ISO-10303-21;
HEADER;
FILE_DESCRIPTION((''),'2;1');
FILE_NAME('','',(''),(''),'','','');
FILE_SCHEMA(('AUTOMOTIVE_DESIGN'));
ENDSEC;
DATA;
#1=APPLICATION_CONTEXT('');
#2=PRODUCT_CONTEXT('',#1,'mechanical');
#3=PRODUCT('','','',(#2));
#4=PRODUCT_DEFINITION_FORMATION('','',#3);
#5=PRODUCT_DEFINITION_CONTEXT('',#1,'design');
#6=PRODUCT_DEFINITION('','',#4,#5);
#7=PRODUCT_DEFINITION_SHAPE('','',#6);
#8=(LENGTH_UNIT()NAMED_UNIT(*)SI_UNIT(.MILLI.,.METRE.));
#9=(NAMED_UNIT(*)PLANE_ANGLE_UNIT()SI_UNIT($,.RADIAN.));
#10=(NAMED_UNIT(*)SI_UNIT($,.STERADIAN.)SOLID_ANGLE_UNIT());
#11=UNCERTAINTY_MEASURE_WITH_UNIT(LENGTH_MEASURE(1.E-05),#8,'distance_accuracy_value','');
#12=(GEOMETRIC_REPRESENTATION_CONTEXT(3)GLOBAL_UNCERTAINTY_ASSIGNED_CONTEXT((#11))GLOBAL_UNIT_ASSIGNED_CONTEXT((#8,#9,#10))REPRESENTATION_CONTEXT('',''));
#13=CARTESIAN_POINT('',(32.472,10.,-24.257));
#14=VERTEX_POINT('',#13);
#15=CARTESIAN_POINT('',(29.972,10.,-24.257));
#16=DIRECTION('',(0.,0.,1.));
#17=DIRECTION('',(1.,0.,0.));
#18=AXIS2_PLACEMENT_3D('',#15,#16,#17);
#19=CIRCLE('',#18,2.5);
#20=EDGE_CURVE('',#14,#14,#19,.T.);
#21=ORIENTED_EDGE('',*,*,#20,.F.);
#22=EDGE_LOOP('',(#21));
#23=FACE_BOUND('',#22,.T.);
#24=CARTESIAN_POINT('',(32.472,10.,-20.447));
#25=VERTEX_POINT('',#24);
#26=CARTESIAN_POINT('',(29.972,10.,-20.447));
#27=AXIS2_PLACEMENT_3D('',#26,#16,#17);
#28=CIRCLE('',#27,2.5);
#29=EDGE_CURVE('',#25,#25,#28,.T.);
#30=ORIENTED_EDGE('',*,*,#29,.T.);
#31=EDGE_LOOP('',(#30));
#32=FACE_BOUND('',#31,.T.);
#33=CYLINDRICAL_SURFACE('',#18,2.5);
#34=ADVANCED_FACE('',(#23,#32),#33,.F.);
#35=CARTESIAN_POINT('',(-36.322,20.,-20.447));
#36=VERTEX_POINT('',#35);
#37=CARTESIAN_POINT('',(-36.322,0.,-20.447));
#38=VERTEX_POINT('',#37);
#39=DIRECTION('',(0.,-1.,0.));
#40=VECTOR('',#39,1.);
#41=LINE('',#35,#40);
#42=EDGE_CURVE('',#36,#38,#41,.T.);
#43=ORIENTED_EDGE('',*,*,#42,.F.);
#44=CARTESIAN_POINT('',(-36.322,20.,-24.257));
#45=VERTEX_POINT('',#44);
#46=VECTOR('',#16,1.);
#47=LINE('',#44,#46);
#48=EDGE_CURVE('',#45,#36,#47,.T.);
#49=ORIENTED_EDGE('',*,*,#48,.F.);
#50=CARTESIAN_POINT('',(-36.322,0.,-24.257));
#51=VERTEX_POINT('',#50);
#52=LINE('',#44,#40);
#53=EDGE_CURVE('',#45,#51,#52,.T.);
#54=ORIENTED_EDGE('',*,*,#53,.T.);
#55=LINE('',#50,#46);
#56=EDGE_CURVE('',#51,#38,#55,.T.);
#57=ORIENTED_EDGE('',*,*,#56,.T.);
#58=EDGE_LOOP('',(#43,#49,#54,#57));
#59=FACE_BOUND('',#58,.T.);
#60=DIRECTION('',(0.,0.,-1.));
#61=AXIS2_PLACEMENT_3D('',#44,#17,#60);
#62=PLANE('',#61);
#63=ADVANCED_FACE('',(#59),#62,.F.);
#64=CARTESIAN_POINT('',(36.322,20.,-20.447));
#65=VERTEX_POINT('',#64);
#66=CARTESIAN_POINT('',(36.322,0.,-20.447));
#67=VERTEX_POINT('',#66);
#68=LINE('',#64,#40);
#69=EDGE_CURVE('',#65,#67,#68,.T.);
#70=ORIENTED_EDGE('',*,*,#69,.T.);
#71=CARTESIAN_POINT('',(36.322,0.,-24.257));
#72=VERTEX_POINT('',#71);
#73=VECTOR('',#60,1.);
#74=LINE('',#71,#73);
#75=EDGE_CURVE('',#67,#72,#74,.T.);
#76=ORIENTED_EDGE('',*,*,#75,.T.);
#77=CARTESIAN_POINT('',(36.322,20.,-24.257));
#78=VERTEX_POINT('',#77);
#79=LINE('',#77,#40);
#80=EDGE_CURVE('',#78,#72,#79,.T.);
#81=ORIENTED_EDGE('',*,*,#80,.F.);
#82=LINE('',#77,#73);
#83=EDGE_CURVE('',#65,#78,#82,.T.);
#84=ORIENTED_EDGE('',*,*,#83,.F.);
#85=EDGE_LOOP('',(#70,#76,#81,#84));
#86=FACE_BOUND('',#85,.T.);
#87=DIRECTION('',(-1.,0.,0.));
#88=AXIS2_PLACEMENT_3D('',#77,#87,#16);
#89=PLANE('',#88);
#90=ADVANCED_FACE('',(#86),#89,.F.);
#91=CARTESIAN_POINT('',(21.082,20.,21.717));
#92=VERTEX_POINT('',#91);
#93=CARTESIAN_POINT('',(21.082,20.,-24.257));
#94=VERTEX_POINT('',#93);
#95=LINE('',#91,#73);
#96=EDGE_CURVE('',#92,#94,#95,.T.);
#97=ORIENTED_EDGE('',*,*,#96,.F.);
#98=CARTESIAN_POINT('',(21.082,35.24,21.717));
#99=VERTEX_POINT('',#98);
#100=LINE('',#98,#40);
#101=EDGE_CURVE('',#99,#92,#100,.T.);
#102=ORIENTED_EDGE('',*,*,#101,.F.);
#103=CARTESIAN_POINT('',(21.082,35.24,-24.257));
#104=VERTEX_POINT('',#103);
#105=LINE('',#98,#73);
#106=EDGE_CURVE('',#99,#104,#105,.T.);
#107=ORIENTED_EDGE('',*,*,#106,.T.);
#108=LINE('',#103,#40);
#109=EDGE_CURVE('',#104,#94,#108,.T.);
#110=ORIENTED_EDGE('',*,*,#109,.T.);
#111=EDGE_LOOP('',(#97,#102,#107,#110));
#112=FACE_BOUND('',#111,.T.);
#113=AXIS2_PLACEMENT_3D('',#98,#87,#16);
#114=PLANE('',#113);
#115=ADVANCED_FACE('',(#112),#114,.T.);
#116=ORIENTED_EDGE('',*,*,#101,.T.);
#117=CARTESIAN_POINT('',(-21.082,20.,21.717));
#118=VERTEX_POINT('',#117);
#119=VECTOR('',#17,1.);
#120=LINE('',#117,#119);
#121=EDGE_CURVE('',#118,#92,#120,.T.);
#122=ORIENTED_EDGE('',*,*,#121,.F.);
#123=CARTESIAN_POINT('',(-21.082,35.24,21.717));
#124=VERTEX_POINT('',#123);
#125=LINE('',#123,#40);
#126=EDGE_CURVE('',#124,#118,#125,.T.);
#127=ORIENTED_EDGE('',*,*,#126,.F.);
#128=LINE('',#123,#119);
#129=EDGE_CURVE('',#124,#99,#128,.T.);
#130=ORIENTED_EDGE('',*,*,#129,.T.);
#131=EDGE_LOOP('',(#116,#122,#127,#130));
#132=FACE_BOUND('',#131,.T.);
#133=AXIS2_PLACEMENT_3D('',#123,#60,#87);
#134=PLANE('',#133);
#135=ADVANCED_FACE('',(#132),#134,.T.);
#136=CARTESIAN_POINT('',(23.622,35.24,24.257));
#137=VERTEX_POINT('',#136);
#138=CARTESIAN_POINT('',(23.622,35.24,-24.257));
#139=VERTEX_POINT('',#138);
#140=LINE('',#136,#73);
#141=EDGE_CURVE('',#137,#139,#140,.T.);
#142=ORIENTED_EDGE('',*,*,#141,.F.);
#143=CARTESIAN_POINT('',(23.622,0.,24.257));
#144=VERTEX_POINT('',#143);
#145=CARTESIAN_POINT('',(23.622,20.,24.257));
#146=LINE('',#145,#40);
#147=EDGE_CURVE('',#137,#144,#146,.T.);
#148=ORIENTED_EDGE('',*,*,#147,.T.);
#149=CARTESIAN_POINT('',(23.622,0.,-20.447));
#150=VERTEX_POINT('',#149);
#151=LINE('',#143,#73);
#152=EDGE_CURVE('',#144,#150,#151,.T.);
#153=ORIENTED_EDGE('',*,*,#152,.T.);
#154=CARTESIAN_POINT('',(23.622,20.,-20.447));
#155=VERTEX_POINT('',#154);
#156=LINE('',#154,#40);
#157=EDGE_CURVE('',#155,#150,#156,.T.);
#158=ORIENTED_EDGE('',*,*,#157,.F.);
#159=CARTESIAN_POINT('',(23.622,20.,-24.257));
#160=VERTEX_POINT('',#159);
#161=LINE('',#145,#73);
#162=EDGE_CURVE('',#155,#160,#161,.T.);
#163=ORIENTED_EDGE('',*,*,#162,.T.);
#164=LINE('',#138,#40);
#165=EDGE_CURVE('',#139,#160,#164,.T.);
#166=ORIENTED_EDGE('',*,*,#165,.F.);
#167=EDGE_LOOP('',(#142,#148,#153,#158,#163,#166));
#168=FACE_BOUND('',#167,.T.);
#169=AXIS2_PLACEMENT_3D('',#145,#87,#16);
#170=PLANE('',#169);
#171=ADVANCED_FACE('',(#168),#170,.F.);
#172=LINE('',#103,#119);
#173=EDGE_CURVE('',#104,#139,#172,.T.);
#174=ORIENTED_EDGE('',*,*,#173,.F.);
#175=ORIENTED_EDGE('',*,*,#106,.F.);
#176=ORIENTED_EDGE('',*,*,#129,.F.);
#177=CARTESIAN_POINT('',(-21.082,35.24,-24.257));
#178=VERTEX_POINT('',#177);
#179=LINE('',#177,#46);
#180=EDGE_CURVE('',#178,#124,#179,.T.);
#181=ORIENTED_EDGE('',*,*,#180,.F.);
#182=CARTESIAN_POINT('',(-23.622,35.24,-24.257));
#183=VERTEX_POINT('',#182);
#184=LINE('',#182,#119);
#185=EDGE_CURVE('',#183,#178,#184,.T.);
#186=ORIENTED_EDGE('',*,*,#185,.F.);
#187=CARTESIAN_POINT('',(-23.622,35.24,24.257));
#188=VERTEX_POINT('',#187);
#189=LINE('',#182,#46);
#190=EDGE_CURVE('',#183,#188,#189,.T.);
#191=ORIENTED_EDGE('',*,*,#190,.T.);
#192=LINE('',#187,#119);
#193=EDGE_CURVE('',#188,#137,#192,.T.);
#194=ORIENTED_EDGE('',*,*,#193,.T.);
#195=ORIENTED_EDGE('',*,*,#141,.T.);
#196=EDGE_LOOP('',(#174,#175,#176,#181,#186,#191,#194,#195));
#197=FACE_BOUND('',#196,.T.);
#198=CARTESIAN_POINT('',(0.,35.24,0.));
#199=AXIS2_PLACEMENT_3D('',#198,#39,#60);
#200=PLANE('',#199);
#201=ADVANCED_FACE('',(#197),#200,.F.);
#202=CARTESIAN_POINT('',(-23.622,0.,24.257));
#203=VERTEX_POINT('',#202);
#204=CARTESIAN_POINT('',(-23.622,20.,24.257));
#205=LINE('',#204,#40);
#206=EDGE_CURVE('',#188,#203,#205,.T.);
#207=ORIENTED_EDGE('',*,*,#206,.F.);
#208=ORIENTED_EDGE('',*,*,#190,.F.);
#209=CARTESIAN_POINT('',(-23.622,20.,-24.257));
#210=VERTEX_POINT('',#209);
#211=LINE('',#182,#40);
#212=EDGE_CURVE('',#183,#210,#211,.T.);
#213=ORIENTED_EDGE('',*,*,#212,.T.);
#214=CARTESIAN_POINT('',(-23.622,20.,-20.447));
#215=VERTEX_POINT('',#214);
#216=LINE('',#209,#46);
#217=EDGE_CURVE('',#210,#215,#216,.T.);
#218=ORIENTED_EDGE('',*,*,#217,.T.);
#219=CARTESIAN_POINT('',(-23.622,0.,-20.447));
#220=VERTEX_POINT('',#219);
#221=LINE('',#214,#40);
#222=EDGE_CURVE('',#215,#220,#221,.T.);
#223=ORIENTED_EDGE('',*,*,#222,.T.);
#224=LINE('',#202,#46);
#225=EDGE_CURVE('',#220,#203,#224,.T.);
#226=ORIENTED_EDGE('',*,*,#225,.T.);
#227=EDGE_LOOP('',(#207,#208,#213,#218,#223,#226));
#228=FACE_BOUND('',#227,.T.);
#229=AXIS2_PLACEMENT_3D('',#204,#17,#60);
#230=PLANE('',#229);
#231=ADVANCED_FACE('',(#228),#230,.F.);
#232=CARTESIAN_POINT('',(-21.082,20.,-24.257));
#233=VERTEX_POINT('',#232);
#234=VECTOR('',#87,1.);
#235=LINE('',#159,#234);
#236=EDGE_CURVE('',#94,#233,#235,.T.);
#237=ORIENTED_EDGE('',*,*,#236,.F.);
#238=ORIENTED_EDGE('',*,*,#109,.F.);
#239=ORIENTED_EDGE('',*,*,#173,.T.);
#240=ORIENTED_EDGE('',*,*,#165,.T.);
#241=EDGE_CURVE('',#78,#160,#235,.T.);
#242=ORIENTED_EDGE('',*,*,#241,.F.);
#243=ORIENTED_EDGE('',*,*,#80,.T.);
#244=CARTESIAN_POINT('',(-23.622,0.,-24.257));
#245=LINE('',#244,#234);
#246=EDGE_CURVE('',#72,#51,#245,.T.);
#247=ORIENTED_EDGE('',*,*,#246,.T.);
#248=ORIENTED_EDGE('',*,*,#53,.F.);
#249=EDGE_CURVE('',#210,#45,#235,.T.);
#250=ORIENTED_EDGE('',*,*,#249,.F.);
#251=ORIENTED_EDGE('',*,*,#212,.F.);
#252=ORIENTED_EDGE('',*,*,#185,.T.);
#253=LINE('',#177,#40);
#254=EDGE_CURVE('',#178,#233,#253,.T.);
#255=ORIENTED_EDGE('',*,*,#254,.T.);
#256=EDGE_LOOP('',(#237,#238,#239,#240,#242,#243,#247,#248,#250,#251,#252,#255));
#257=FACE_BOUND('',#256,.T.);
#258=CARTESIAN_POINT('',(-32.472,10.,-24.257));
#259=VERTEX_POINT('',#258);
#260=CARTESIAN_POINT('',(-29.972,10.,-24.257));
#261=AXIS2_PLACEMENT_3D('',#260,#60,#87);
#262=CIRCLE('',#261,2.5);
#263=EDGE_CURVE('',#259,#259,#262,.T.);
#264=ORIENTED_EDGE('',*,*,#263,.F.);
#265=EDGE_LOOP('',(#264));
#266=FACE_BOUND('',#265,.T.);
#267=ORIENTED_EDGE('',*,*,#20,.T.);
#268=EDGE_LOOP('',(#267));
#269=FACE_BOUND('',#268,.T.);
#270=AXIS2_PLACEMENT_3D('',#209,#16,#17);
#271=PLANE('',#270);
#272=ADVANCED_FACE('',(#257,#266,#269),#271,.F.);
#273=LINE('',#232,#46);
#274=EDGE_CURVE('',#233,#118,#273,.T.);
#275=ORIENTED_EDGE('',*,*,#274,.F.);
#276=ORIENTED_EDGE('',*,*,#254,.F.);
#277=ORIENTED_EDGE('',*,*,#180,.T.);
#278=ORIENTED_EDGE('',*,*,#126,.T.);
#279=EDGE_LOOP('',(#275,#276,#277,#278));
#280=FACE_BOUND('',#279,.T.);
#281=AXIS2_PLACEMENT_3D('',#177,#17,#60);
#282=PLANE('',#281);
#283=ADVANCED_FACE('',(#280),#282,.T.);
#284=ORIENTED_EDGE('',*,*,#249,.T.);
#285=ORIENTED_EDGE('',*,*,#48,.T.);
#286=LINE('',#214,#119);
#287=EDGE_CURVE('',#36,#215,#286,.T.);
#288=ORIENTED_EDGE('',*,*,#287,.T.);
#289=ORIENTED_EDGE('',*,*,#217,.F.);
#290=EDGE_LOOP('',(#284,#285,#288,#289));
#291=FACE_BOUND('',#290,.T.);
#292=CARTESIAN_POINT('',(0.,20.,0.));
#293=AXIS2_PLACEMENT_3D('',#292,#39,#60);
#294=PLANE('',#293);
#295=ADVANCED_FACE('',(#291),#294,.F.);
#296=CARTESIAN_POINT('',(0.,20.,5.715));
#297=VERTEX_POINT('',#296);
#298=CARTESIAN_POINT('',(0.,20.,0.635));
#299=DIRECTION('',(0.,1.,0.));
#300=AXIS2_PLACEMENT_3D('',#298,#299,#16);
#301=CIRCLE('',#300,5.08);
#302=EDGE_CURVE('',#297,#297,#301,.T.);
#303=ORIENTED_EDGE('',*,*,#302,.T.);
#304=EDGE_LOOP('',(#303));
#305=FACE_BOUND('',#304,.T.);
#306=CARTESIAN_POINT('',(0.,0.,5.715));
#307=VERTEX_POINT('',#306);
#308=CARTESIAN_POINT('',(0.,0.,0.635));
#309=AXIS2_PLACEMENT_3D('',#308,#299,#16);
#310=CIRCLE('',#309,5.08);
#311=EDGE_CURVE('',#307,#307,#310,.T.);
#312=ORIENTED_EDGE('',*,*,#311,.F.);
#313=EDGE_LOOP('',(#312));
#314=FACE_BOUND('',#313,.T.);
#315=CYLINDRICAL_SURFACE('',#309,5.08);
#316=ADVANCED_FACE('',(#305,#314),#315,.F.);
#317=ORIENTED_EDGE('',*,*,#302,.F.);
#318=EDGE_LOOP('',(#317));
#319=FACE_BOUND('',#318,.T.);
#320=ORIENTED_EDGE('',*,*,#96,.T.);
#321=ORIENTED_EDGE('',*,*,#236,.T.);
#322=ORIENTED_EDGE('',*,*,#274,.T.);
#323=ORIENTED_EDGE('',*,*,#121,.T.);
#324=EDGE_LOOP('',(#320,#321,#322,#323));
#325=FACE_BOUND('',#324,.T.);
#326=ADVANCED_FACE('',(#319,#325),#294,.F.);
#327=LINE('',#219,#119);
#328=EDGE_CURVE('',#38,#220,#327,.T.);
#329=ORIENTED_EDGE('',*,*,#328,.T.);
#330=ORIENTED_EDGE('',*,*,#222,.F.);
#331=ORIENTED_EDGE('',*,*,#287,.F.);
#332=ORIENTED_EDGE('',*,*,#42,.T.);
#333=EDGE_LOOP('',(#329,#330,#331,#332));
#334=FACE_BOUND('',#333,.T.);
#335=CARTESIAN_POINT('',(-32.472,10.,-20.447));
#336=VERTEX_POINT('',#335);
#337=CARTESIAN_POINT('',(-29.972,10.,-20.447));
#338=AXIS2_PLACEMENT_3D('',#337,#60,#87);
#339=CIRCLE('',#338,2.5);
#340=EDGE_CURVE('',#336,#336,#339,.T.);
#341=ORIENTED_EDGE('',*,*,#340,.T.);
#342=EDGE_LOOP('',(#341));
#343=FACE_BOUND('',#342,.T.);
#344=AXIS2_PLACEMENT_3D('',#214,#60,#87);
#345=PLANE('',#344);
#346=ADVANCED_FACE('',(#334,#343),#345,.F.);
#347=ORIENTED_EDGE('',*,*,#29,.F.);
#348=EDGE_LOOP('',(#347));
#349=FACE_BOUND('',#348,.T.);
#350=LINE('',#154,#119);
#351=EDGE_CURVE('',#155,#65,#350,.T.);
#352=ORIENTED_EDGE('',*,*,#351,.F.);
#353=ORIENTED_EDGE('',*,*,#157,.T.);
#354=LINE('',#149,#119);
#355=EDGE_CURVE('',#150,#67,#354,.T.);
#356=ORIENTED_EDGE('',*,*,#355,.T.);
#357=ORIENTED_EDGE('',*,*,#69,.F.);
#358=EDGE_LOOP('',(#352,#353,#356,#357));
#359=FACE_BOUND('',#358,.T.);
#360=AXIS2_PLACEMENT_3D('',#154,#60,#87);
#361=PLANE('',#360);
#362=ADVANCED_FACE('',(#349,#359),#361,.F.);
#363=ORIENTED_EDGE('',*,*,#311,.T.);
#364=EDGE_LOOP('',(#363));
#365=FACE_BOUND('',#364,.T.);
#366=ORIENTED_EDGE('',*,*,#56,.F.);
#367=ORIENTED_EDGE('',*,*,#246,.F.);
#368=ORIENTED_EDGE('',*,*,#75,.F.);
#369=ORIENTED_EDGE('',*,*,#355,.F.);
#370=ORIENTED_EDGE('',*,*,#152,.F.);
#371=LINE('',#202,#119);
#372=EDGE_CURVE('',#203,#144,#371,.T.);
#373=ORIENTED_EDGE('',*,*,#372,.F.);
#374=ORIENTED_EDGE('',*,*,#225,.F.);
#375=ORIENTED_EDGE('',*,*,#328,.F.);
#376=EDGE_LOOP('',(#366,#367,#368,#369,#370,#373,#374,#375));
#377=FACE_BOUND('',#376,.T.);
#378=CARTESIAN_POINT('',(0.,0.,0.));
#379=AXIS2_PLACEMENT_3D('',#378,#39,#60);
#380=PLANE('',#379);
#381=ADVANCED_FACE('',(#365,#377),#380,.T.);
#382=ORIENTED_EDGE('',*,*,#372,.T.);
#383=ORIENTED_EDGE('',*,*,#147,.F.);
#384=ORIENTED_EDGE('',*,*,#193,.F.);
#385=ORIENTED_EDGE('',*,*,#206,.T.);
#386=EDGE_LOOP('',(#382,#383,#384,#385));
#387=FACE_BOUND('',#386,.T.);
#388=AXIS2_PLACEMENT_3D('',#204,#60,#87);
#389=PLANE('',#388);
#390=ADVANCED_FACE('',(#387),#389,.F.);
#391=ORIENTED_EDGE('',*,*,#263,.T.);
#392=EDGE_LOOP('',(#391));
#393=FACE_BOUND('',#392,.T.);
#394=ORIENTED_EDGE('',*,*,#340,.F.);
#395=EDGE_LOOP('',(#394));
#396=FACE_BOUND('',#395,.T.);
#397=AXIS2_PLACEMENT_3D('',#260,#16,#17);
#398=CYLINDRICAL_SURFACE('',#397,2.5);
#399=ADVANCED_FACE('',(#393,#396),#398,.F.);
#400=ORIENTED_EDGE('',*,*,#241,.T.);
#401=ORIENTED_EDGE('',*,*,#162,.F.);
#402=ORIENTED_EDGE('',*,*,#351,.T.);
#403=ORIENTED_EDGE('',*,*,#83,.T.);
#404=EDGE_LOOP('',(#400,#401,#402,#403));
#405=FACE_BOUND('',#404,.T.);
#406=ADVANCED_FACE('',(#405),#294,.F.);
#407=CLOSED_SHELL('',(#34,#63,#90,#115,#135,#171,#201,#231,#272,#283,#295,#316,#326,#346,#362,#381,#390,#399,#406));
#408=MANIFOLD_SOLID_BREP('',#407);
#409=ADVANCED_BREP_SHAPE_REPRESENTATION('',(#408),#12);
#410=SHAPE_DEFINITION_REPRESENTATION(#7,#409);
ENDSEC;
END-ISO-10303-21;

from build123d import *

# Parameters (mm, degrees)
BOSS_EXTRUDE1_DEPTH = 20
BOSS_EXTRUDE2_DEPTH = 15.24
SKETCH3_R           = 2.5
CUT_EXTRUDE1_DEPTH  = 4.81
SKETCH4_R           = 5.08
CUT_EXTRUDE2_DEPTH  = 21


with BuildPart() as part:
    # Sketch1 → Boss-Extrude1 (new body)
    with BuildSketch(Plane(origin=(0, 0, 0), x_dir=(1, 0, 0), z_dir=(0, 1, 0))):
        Polygon((-23.622, -24.257), (23.622, -24.257), (23.622, 20.447), (36.322, 20.447), (36.322, 24.257), (23.622, 24.257), (-23.622, 24.257), (-36.322, 24.257), (-36.322, 20.447), (-23.622, 20.447), align=None)
    extrude(amount=BOSS_EXTRUDE1_DEPTH)

    # Sketch2 → Boss-Extrude2 (add)
    with BuildSketch(Plane(origin=(0, 20, 0), x_dir=(1, 0, 0), z_dir=(0, 1, 0))):
        Polygon((-23.622, 24.257), (-21.082, 24.257), (-21.082, -21.717), (21.082, -21.717), (21.082, 24.257), (23.622, 24.257), (23.622, -24.257), (-21.668534476, -24.257), (-23.622, -24.257), align=None)
    extrude(amount=BOSS_EXTRUDE2_DEPTH)

    # Sketch3 → Cut-Extrude1 (cut, through all)
    with BuildSketch(Plane.XY.offset(-20.447)):
        with Locations((29.972, 10)):
            Circle(SKETCH3_R)
    cut_extrude1 = extrude(amount=-CUT_EXTRUDE1_DEPTH, mode=Mode.SUBTRACT)

    # Mirror1: Cut-Extrude1 across plane
    add(cut_extrude1.mirror(Plane(origin=(0, 0, 0), x_dir=(0, 0, 1), z_dir=(1, 0, 0))), mode=Mode.SUBTRACT)

    # Sketch4 → Cut-Extrude2 (cut, through all)
    with BuildSketch(Plane(origin=(0, 20, 0), x_dir=(1, 0, 0), z_dir=(0, 1, 0))):
        with Locations((0, -0.635)):
            Circle(SKETCH4_R)
    extrude(amount=-CUT_EXTRUDE2_DEPTH, mode=Mode.SUBTRACT)


solid = part.part
